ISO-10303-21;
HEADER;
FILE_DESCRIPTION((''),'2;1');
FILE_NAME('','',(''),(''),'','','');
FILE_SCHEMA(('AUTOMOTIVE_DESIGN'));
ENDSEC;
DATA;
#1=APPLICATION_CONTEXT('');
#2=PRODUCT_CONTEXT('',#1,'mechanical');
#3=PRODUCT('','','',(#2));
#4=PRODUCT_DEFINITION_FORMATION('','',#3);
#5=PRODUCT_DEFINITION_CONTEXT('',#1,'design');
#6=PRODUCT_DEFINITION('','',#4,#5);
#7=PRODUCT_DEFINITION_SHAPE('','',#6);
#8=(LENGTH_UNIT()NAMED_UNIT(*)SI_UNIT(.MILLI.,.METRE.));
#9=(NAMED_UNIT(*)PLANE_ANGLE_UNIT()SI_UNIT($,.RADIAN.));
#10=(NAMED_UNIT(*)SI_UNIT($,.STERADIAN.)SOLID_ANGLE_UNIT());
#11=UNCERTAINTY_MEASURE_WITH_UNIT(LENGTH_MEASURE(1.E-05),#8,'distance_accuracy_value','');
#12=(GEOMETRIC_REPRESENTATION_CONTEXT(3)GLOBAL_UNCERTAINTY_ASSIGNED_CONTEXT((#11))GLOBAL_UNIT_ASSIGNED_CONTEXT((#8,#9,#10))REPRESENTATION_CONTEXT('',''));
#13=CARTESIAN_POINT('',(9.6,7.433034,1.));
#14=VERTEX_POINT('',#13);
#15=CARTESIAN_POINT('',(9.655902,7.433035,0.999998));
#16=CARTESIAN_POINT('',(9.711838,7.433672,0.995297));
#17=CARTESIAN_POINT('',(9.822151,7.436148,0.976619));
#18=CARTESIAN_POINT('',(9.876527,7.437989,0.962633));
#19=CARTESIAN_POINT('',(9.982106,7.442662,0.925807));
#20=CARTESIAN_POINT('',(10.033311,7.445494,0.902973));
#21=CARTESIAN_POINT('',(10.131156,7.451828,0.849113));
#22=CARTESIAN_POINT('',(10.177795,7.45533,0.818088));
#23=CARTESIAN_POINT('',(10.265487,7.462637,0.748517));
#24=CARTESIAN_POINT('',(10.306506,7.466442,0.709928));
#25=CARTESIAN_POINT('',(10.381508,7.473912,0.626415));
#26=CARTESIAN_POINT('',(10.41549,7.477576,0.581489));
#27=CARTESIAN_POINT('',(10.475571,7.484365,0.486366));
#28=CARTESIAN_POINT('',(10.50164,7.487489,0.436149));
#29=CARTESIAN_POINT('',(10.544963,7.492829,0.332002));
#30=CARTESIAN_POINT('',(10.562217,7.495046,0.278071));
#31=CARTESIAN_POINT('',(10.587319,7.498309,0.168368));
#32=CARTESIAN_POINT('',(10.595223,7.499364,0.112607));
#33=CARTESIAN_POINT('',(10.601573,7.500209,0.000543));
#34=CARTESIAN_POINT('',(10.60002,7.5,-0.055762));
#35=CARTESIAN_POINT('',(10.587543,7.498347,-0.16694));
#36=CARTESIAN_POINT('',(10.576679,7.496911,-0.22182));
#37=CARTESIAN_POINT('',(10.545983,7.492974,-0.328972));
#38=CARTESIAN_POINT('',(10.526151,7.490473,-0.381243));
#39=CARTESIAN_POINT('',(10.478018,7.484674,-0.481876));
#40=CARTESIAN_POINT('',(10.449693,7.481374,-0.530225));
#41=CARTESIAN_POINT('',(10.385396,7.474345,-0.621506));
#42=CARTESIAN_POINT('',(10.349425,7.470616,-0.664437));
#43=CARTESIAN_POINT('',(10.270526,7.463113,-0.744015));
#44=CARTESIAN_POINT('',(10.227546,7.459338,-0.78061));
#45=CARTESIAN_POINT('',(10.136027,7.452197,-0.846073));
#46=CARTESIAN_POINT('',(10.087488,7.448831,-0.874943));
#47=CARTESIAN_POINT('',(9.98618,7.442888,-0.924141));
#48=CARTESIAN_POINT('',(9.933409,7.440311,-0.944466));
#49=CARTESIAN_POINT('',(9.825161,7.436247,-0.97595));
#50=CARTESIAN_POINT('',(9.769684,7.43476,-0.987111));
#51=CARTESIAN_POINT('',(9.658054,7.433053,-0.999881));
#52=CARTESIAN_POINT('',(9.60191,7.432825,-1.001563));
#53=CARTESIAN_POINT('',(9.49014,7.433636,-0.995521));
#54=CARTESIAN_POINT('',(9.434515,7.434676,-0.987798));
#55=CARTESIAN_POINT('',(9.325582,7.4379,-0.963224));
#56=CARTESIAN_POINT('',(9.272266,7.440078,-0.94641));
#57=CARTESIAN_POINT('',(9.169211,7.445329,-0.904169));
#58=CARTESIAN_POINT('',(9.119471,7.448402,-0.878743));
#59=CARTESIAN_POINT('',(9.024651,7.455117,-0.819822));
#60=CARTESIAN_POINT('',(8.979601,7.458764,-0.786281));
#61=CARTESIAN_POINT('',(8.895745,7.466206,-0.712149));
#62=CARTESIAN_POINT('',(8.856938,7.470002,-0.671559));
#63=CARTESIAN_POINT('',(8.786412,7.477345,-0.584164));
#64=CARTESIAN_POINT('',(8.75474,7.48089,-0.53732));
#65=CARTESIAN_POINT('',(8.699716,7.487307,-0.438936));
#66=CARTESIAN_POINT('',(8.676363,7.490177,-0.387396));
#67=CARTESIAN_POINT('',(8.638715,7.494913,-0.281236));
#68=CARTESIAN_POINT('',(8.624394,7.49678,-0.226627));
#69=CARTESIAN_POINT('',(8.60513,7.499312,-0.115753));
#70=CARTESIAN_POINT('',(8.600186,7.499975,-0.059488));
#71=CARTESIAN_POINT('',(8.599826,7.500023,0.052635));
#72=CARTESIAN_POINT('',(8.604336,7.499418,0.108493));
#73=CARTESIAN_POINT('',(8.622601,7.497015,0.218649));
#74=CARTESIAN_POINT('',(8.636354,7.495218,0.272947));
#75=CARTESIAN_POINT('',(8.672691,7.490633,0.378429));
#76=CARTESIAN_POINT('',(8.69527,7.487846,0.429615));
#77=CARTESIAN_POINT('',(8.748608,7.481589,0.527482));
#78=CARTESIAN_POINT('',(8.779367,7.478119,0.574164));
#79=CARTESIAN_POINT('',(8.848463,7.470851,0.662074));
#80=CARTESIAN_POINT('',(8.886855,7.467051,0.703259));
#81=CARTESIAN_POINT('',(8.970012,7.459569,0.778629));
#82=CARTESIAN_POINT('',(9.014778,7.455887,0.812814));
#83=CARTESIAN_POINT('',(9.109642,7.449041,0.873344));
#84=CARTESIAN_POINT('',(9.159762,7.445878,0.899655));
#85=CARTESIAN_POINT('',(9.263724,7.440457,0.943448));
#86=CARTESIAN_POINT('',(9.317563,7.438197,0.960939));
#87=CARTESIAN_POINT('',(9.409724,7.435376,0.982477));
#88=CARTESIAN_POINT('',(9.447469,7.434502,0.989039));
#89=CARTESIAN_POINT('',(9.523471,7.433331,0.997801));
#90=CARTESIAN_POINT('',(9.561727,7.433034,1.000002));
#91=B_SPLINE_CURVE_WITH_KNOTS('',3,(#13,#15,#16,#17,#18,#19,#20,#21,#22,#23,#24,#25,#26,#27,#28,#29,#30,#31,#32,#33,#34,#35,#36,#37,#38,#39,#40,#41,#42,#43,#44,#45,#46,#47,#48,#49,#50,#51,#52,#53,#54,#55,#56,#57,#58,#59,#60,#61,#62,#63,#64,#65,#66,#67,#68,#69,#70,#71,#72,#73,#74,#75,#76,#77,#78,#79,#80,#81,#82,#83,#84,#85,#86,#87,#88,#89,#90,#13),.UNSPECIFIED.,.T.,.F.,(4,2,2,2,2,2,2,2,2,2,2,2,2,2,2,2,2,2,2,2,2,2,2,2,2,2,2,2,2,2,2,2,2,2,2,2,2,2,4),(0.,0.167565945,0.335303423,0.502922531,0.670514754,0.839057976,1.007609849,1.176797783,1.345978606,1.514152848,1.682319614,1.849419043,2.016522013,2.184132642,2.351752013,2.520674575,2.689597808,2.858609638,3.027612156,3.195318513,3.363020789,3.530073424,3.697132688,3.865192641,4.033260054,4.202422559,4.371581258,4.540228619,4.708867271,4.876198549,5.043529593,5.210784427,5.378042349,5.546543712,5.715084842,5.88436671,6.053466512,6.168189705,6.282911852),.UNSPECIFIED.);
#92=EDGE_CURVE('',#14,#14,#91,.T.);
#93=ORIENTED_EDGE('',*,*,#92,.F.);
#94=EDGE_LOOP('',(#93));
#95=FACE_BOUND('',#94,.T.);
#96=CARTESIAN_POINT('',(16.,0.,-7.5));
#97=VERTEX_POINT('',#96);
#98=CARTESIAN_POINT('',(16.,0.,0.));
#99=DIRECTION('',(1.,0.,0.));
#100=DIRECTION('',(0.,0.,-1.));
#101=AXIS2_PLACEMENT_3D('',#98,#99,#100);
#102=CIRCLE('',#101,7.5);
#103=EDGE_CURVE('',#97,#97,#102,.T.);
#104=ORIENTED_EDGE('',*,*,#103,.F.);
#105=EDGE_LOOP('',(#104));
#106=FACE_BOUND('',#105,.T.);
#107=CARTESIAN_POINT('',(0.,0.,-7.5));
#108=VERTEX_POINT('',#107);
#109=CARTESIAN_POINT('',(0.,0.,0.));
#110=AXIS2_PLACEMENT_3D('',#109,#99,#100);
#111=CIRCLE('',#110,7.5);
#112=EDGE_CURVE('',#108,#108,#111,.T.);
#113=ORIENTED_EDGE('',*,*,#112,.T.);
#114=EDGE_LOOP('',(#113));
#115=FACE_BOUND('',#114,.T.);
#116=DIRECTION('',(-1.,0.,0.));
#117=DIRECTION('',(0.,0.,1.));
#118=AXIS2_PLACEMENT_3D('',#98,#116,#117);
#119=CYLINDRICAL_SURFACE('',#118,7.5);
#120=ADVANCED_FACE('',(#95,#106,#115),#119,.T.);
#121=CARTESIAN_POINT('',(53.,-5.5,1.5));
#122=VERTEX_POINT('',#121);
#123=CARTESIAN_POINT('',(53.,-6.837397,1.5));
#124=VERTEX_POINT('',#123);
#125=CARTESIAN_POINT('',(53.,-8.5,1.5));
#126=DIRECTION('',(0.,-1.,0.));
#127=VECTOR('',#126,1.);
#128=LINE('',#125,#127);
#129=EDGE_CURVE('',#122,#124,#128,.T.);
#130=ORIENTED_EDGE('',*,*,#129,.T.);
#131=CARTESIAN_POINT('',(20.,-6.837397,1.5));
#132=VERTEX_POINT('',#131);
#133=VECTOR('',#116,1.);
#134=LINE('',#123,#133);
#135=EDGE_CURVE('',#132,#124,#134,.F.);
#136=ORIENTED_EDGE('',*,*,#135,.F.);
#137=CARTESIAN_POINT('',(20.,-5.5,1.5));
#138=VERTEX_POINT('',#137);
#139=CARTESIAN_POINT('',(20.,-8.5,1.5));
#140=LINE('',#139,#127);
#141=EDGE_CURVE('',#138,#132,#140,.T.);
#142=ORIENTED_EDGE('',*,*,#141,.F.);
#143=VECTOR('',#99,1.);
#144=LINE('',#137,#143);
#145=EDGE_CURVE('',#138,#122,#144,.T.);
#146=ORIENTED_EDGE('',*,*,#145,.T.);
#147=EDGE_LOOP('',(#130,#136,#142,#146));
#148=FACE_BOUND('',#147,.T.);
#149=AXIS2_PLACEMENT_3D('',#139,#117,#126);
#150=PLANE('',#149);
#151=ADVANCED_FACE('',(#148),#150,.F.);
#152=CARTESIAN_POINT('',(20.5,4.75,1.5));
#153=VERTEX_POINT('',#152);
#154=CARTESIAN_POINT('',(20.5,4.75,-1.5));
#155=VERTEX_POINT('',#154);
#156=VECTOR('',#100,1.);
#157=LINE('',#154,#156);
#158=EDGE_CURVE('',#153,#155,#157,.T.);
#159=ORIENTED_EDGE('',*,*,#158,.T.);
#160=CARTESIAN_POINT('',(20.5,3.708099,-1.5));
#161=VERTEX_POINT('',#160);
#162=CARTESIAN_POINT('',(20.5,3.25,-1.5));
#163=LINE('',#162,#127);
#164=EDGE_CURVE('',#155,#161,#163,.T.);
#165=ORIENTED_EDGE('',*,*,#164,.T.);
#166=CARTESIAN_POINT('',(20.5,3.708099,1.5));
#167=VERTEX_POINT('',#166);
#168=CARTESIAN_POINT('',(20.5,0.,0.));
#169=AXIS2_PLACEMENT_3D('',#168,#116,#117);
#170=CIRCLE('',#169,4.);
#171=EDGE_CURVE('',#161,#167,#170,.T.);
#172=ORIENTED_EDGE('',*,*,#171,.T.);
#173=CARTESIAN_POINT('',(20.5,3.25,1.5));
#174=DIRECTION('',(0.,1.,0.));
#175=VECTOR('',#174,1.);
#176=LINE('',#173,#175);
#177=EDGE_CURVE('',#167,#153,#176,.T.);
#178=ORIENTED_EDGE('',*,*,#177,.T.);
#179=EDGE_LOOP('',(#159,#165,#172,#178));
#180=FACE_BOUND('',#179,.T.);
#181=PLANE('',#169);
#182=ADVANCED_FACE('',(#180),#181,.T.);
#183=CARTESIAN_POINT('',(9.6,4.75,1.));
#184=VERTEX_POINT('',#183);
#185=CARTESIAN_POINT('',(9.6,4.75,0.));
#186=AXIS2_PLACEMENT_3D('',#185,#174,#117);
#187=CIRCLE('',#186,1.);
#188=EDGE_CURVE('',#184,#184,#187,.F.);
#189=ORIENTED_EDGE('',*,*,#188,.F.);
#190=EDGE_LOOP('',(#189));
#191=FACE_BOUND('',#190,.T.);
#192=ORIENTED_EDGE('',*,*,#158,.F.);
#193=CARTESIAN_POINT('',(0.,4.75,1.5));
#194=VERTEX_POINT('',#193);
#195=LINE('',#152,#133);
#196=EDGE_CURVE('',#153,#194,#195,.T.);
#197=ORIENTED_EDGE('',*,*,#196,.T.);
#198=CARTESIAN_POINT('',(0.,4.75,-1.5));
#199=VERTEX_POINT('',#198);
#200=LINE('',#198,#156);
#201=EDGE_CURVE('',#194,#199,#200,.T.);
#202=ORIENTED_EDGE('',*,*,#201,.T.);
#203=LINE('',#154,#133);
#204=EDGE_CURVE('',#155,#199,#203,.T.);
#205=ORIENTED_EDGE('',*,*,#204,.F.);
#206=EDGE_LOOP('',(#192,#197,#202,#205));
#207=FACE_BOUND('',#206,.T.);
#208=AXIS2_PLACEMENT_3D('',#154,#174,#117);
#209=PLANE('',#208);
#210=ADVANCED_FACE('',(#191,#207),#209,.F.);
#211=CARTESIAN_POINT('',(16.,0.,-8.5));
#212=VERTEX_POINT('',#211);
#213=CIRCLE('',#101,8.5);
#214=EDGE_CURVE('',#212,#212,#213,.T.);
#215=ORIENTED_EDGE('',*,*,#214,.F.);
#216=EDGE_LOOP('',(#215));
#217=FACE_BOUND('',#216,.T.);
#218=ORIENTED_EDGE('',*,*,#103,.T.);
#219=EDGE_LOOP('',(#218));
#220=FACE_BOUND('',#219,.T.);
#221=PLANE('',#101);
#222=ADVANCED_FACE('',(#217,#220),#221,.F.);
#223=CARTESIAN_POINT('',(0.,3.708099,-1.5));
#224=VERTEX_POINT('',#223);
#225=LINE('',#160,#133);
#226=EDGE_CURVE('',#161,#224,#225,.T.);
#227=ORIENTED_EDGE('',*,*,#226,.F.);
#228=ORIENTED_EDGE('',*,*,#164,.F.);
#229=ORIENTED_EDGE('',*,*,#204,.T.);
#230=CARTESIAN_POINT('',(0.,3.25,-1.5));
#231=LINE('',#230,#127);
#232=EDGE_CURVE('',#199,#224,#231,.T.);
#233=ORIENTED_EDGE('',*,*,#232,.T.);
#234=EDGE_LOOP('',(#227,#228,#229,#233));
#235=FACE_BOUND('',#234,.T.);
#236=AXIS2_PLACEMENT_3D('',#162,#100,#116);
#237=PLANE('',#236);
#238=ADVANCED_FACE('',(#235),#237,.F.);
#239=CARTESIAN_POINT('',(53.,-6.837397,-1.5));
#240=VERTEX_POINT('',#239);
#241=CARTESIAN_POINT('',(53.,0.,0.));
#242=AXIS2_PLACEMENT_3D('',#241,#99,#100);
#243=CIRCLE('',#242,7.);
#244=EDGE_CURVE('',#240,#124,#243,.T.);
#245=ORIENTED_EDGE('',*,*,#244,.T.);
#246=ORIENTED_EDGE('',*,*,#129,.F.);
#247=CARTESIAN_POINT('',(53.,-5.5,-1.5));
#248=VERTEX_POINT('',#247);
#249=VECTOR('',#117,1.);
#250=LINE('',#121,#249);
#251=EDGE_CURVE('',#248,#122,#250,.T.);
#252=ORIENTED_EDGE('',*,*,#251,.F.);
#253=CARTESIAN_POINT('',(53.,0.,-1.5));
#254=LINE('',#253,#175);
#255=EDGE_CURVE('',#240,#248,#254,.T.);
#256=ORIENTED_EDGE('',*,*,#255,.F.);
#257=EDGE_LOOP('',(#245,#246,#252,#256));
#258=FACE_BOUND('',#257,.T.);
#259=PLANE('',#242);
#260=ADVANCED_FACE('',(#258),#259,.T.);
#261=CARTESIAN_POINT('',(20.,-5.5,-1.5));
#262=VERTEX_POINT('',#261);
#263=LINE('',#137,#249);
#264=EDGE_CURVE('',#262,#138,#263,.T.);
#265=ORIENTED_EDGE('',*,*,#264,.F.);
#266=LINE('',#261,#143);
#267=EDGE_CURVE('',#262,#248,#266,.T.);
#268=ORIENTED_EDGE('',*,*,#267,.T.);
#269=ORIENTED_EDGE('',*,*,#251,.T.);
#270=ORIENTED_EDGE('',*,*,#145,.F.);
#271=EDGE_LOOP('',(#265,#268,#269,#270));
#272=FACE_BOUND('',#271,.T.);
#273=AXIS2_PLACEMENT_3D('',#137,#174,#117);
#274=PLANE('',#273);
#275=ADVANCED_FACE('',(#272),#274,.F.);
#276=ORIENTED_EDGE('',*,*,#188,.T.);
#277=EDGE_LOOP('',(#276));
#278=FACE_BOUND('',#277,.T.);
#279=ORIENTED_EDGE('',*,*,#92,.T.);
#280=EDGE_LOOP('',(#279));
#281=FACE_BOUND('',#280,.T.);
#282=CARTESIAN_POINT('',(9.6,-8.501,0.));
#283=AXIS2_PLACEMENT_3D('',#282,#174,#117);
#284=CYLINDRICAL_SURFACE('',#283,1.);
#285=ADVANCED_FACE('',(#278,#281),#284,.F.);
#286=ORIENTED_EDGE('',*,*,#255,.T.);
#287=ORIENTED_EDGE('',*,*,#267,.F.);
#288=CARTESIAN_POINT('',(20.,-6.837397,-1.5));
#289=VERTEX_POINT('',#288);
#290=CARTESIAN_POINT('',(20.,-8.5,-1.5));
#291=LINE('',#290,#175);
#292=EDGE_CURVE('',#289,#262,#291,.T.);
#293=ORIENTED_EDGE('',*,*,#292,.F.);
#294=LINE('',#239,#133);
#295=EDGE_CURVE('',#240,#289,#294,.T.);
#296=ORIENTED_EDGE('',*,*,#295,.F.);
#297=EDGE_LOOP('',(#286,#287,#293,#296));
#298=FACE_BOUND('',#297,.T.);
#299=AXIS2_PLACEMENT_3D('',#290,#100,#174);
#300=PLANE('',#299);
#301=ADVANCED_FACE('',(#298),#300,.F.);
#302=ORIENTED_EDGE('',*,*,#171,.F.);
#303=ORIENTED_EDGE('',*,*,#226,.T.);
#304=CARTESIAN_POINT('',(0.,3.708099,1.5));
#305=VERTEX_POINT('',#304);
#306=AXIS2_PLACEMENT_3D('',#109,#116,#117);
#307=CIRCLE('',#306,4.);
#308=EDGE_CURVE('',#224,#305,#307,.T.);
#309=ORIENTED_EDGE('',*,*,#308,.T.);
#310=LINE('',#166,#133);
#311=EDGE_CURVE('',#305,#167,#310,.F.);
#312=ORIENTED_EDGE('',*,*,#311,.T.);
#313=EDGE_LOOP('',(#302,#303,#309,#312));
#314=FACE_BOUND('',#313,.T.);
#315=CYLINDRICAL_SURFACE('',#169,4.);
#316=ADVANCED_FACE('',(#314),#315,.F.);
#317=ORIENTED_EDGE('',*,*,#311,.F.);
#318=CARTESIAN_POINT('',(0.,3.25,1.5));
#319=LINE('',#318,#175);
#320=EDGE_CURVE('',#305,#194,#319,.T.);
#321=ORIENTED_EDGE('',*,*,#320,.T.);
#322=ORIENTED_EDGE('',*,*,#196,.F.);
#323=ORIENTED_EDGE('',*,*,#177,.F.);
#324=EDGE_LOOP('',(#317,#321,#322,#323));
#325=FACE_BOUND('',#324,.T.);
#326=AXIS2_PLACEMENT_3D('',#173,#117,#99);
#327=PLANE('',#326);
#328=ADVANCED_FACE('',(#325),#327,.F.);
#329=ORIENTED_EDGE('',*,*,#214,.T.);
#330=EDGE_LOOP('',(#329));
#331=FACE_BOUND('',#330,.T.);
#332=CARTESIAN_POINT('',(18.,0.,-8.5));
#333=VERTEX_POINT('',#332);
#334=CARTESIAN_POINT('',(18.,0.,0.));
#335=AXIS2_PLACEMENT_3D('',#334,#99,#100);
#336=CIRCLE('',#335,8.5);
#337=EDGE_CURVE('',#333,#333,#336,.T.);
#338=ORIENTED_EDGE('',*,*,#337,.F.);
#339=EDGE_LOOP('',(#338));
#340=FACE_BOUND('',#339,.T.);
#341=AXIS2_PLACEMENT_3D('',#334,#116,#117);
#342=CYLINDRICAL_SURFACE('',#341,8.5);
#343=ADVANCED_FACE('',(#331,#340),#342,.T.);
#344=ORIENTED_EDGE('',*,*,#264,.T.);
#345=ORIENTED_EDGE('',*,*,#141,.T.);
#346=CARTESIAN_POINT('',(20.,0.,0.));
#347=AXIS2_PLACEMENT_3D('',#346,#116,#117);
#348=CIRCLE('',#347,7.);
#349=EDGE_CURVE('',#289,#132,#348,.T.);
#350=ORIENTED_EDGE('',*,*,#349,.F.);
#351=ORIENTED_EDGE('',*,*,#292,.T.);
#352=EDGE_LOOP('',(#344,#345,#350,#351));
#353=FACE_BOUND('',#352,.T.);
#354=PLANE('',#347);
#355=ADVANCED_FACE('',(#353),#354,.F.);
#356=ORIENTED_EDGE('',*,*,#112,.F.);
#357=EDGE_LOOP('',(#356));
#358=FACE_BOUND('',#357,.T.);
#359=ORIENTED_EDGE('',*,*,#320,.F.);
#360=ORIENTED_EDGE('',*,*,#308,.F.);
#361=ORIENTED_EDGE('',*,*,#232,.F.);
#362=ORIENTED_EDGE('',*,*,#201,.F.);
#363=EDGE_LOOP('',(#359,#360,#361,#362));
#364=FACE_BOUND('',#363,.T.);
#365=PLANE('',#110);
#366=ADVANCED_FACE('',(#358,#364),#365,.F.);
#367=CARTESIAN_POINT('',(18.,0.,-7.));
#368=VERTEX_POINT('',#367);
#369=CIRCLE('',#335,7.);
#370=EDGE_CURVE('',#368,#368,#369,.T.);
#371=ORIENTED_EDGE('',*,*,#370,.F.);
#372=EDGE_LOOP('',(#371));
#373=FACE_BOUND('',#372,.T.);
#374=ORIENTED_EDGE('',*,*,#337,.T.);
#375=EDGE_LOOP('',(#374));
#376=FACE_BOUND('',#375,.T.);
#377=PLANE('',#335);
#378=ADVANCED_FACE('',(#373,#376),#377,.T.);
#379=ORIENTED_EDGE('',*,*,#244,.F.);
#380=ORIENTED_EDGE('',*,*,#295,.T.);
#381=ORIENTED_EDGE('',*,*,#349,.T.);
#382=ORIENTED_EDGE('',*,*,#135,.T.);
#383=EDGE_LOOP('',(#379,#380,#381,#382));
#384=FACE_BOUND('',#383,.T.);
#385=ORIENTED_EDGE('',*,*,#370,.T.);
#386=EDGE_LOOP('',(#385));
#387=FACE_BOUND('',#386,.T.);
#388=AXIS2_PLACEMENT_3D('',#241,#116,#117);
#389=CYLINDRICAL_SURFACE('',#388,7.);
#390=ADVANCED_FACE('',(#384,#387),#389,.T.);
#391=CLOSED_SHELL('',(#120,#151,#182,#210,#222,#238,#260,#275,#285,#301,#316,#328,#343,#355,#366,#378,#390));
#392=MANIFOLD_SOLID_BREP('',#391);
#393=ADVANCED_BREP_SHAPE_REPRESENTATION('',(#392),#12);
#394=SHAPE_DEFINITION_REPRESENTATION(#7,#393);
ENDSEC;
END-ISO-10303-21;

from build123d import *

# Parameters (mm, degrees)
SKETCH1_R           = 7.5
BOSS_EXTRUDE1_DEPTH = 16
SKETCH2_R           = 8.5
BOSS_EXTRUDE2_DEPTH = 2
SKETCH3_R           = 7
BOSS_EXTRUDE3_DEPTH = 35
SKETCH4_R           = 4
CUT_EXTRUDE1_DEPTH  = 20.5
SKETCH6_W           = 3
SKETCH6_H           = 1.5
CUT_EXTRUDE2_DEPTH  = 20.5
CUT_EXTRUDE3_REACH  = 18
SKETCH7_R           = 1
SKETCH8_W           = 3
SKETCH8_H           = 3
CUT_EXTRUDE5_DEPTH  = 33


with BuildPart() as part:
    # Sketch1 → Boss-Extrude1 (new body)
    with BuildSketch(Plane(origin=(0, 0, 0), x_dir=(0, 0, -1), z_dir=(1, 0, 0))):
        Circle(SKETCH1_R)
    extrude(amount=BOSS_EXTRUDE1_DEPTH)

    # Sketch2 → Boss-Extrude2 (add)
    with BuildSketch(Plane(origin=(16, 0, 0), x_dir=(0, 0, -1), z_dir=(1, 0, 0))):
        Circle(SKETCH2_R)
    extrude(amount=BOSS_EXTRUDE2_DEPTH)

    # Sketch3 → Boss-Extrude3 (add)
    with BuildSketch(Plane(origin=(18, 0, 0), x_dir=(0, 0, -1), z_dir=(1, 0, 0))):
        Circle(SKETCH3_R)
    extrude(amount=BOSS_EXTRUDE3_DEPTH)

    # Sketch4 → Cut-Extrude1 (cut)
    with BuildSketch(Plane.ZY):
        Circle(SKETCH4_R)
    extrude(amount=-CUT_EXTRUDE1_DEPTH, mode=Mode.SUBTRACT)

    # Sketch6 → Cut-Extrude2 (cut)
    with BuildSketch(Plane.ZY):
        with Locations((0, 4)):
            Rectangle(SKETCH6_W, SKETCH6_H)
    extrude(amount=-CUT_EXTRUDE2_DEPTH, mode=Mode.SUBTRACT)

    # Sketch7 → Cut-Extrude3 (cut, up to next)
    with BuildSketch(Plane(origin=(0, 7.5, 0), x_dir=(1, 0, 0), z_dir=(0, 1, 0)), mode=Mode.PRIVATE) as cut_extrude3_sk1:
        with Locations((9.6, 0)):
            Circle(SKETCH7_R)
    cut_extrude3_tool1 = extrude(cut_extrude3_sk1.sketch, amount=-CUT_EXTRUDE3_REACH, mode=Mode.PRIVATE) & part.part
    add(cut_extrude3_tool1.solids().sort_by_distance((9.6, 7.5, 0))[0], mode=Mode.SUBTRACT)

    # Sketch8 → Cut-Extrude5 (cut)
    with BuildSketch(Plane(origin=(53, 0, 0), x_dir=(0, 0, -1), z_dir=(1, 0, 0))):
        with Locations((0, -7)):
            Rectangle(SKETCH8_W, SKETCH8_H)
    extrude(amount=-CUT_EXTRUDE5_DEPTH, mode=Mode.SUBTRACT)


solid = part.part
